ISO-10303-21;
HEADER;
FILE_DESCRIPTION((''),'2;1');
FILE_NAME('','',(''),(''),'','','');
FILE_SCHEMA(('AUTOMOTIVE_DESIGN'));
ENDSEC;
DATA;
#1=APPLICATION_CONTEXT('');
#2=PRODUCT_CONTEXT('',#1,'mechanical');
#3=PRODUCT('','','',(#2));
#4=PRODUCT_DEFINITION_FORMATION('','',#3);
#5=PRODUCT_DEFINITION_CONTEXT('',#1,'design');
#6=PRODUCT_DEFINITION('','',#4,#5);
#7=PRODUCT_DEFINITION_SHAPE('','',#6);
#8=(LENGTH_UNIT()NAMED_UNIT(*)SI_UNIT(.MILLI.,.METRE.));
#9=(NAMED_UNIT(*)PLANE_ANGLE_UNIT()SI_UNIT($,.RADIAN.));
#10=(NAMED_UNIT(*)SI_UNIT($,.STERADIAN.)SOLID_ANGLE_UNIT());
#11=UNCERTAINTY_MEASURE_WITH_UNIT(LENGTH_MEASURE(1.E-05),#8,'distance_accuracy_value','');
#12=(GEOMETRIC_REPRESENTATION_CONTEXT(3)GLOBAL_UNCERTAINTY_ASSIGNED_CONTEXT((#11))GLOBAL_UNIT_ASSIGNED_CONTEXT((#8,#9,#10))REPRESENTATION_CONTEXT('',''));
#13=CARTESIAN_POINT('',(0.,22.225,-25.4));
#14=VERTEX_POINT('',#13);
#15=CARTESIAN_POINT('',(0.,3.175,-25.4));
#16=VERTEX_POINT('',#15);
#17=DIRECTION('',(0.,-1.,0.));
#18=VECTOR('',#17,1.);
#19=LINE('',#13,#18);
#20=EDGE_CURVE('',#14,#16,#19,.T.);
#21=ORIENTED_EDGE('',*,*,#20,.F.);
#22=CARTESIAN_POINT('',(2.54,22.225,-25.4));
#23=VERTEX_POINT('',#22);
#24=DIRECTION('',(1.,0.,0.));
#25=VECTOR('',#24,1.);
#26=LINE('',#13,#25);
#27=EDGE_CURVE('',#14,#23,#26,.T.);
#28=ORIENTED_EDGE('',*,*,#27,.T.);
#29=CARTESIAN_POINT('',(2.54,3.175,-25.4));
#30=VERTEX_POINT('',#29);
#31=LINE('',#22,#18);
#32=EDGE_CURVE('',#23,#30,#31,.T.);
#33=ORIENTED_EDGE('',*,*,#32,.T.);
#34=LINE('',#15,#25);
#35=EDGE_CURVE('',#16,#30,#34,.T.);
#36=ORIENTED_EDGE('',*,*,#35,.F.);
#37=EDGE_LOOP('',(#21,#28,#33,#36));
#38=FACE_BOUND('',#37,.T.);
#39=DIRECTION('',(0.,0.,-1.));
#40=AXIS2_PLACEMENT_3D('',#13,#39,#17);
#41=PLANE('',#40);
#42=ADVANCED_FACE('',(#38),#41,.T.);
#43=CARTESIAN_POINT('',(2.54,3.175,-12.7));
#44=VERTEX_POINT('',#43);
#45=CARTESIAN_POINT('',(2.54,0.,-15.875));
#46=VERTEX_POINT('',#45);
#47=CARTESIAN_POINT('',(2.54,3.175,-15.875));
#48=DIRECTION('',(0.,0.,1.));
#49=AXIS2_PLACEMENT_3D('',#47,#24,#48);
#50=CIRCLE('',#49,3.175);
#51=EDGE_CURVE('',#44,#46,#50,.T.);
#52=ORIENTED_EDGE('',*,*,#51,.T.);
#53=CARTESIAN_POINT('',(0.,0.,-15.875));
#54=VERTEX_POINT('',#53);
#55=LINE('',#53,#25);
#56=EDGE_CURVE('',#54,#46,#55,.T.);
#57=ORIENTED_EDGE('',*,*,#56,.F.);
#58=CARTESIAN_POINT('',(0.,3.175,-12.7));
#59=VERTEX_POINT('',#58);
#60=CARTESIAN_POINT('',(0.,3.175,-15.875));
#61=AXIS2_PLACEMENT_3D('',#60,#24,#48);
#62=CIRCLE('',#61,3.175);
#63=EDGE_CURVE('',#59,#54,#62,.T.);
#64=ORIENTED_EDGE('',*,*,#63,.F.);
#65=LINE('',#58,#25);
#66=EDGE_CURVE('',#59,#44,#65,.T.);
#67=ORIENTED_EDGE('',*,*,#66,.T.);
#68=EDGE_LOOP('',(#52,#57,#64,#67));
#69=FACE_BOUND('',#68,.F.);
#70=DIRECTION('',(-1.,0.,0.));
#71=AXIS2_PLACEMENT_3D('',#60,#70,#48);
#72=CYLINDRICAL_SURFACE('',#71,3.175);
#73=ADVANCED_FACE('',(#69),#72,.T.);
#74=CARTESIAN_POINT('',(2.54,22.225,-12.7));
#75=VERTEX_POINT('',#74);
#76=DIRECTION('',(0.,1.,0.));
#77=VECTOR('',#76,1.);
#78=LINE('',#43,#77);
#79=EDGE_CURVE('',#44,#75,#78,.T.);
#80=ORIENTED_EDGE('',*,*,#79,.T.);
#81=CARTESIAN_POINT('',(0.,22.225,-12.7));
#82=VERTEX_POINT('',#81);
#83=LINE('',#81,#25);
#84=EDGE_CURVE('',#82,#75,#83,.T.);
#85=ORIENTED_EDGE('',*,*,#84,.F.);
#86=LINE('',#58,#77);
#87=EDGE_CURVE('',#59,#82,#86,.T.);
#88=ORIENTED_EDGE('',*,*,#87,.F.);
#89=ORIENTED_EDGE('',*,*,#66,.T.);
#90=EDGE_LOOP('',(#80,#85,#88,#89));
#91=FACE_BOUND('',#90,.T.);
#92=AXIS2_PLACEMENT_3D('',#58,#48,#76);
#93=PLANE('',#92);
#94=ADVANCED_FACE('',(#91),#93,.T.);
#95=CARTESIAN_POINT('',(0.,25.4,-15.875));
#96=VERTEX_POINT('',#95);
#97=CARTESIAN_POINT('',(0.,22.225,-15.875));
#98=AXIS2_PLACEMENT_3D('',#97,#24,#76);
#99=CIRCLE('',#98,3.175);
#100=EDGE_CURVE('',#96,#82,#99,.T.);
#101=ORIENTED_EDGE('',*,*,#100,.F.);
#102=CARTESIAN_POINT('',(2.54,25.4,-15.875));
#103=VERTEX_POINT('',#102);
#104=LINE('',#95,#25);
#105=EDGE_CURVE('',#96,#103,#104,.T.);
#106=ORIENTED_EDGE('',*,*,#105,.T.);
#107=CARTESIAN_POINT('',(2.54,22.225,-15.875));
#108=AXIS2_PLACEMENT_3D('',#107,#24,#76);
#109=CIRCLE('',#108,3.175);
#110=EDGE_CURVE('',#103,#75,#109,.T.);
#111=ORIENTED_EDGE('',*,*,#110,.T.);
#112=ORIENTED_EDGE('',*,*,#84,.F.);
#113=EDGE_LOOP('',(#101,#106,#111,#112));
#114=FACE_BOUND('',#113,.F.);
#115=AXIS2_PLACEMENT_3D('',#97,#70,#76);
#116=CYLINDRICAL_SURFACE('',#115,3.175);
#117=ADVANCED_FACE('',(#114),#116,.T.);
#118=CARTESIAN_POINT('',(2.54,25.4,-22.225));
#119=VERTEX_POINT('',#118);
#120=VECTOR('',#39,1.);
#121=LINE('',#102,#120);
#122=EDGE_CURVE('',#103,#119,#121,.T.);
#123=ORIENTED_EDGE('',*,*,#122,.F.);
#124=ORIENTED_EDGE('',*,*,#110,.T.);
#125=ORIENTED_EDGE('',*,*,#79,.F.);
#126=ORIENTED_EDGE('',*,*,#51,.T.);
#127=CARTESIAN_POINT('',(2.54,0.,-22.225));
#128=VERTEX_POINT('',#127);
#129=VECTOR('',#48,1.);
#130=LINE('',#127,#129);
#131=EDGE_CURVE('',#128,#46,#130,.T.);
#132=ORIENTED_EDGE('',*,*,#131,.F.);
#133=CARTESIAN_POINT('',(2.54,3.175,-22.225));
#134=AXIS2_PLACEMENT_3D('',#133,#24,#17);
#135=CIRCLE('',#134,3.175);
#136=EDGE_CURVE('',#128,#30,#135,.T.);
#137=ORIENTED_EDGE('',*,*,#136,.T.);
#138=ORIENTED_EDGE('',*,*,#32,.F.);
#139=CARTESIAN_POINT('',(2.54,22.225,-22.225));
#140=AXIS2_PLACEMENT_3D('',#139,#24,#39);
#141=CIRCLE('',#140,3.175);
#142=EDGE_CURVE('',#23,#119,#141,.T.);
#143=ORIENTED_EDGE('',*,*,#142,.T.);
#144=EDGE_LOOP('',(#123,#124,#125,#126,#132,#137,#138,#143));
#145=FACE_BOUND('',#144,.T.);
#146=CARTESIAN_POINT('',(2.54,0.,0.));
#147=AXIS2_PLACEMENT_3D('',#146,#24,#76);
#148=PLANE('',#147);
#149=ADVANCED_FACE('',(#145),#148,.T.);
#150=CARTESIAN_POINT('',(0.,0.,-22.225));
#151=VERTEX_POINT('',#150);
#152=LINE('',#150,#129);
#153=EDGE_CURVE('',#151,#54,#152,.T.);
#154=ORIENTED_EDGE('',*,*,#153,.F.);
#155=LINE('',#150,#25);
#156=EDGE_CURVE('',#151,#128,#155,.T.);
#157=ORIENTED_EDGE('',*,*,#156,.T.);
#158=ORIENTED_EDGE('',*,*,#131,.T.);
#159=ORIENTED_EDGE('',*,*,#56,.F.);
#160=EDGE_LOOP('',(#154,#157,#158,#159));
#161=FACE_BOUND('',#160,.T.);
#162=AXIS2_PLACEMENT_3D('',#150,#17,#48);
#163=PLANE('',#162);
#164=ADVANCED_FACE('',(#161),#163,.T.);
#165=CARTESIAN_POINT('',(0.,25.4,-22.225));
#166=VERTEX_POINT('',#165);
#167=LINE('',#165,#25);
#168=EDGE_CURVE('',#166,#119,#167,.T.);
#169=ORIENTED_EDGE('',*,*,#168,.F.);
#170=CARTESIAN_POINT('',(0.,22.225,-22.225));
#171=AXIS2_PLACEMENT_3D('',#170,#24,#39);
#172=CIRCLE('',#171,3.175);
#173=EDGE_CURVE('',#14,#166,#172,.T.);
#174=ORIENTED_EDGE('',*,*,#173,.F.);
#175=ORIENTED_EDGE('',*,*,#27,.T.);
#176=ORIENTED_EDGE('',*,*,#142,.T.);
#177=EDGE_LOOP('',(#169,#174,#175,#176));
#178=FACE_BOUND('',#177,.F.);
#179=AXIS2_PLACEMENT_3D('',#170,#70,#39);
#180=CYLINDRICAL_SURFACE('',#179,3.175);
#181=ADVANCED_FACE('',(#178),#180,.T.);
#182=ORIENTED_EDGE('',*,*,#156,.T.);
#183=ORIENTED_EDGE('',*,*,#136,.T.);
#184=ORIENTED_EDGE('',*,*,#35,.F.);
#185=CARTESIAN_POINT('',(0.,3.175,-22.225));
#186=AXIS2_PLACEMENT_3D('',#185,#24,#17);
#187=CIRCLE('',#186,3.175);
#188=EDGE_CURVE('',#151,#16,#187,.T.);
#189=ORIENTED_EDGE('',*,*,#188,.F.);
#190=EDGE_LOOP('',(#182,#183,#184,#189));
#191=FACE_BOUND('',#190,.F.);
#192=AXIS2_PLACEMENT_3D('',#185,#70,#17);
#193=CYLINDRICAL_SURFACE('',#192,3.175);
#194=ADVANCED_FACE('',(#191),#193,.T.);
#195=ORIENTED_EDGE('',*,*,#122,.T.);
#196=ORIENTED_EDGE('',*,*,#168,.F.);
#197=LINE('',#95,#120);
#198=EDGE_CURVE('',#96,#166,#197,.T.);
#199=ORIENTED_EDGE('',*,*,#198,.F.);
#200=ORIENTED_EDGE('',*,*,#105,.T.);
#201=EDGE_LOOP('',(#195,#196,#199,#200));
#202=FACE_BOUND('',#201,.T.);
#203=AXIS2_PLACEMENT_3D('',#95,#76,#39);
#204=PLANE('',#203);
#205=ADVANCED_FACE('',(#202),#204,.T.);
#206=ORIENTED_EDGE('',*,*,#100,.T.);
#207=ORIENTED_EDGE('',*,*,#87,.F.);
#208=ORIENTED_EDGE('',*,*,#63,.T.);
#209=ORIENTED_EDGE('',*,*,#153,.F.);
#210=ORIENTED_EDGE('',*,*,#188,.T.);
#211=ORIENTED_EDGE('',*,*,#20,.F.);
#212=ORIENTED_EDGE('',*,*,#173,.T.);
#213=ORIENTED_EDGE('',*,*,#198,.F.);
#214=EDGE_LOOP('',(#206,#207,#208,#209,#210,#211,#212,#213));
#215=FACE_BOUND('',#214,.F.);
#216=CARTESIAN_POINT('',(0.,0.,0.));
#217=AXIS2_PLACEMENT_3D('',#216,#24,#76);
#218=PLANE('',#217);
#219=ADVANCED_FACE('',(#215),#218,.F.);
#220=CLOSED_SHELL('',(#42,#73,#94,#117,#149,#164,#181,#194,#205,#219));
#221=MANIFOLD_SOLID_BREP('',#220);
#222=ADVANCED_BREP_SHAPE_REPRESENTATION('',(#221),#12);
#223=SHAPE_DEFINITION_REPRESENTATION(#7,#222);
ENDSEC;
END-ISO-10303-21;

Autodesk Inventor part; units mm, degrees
ref_plane "YZ Plane" through (0, 0, 0) normal (1, 0, 0) x (0, 1, 0)
ref_plane "XZ Plane" through (0, 0, 0) normal (0, 1, 0) x (-1, 0, 0)
ref_plane "XY Plane" through (0, 0, 0) normal (0, 0, 1) x (1, 0, 0)
sketch "Sketch1" plane through (0, 0, 0) normal (1, 0, 0) x (0, 1, 0)
  line L0 (3.175, -12.7) -> (22.225, -12.7)
  line L1 (25.4, -15.875) -> (25.4, -22.225)
  line L2 (22.225, -25.4) -> (3.175, -25.4)
  line L3 (0, -22.225) -> (0, -15.875)
  arc A0 (25.4, -15.875) -> (22.225, -12.7) centre (22.225, -15.875) ccw
  arc A1 (22.225, -25.4) -> (25.4, -22.225) centre (22.225, -22.225) ccw
  arc A2 (0, -22.225) -> (3.175, -25.4) centre (3.175, -22.225) ccw
  arc A3 (3.175, -12.7) -> (0, -15.875) centre (3.175, -15.875) ccw
  point P0 (0, 0)
  point P1 (0, -12.7)
  point P2 (25.4, -25.4)
  point P3 (0, -25.4)
  dimension "d0" = 25.4
  dimension "d1" = 12.7
  dimension "d2" = 3.175
extrude "Extrusion1" add sketch "Sketch1" along normal blind 2.54
properties part number "Domino"
